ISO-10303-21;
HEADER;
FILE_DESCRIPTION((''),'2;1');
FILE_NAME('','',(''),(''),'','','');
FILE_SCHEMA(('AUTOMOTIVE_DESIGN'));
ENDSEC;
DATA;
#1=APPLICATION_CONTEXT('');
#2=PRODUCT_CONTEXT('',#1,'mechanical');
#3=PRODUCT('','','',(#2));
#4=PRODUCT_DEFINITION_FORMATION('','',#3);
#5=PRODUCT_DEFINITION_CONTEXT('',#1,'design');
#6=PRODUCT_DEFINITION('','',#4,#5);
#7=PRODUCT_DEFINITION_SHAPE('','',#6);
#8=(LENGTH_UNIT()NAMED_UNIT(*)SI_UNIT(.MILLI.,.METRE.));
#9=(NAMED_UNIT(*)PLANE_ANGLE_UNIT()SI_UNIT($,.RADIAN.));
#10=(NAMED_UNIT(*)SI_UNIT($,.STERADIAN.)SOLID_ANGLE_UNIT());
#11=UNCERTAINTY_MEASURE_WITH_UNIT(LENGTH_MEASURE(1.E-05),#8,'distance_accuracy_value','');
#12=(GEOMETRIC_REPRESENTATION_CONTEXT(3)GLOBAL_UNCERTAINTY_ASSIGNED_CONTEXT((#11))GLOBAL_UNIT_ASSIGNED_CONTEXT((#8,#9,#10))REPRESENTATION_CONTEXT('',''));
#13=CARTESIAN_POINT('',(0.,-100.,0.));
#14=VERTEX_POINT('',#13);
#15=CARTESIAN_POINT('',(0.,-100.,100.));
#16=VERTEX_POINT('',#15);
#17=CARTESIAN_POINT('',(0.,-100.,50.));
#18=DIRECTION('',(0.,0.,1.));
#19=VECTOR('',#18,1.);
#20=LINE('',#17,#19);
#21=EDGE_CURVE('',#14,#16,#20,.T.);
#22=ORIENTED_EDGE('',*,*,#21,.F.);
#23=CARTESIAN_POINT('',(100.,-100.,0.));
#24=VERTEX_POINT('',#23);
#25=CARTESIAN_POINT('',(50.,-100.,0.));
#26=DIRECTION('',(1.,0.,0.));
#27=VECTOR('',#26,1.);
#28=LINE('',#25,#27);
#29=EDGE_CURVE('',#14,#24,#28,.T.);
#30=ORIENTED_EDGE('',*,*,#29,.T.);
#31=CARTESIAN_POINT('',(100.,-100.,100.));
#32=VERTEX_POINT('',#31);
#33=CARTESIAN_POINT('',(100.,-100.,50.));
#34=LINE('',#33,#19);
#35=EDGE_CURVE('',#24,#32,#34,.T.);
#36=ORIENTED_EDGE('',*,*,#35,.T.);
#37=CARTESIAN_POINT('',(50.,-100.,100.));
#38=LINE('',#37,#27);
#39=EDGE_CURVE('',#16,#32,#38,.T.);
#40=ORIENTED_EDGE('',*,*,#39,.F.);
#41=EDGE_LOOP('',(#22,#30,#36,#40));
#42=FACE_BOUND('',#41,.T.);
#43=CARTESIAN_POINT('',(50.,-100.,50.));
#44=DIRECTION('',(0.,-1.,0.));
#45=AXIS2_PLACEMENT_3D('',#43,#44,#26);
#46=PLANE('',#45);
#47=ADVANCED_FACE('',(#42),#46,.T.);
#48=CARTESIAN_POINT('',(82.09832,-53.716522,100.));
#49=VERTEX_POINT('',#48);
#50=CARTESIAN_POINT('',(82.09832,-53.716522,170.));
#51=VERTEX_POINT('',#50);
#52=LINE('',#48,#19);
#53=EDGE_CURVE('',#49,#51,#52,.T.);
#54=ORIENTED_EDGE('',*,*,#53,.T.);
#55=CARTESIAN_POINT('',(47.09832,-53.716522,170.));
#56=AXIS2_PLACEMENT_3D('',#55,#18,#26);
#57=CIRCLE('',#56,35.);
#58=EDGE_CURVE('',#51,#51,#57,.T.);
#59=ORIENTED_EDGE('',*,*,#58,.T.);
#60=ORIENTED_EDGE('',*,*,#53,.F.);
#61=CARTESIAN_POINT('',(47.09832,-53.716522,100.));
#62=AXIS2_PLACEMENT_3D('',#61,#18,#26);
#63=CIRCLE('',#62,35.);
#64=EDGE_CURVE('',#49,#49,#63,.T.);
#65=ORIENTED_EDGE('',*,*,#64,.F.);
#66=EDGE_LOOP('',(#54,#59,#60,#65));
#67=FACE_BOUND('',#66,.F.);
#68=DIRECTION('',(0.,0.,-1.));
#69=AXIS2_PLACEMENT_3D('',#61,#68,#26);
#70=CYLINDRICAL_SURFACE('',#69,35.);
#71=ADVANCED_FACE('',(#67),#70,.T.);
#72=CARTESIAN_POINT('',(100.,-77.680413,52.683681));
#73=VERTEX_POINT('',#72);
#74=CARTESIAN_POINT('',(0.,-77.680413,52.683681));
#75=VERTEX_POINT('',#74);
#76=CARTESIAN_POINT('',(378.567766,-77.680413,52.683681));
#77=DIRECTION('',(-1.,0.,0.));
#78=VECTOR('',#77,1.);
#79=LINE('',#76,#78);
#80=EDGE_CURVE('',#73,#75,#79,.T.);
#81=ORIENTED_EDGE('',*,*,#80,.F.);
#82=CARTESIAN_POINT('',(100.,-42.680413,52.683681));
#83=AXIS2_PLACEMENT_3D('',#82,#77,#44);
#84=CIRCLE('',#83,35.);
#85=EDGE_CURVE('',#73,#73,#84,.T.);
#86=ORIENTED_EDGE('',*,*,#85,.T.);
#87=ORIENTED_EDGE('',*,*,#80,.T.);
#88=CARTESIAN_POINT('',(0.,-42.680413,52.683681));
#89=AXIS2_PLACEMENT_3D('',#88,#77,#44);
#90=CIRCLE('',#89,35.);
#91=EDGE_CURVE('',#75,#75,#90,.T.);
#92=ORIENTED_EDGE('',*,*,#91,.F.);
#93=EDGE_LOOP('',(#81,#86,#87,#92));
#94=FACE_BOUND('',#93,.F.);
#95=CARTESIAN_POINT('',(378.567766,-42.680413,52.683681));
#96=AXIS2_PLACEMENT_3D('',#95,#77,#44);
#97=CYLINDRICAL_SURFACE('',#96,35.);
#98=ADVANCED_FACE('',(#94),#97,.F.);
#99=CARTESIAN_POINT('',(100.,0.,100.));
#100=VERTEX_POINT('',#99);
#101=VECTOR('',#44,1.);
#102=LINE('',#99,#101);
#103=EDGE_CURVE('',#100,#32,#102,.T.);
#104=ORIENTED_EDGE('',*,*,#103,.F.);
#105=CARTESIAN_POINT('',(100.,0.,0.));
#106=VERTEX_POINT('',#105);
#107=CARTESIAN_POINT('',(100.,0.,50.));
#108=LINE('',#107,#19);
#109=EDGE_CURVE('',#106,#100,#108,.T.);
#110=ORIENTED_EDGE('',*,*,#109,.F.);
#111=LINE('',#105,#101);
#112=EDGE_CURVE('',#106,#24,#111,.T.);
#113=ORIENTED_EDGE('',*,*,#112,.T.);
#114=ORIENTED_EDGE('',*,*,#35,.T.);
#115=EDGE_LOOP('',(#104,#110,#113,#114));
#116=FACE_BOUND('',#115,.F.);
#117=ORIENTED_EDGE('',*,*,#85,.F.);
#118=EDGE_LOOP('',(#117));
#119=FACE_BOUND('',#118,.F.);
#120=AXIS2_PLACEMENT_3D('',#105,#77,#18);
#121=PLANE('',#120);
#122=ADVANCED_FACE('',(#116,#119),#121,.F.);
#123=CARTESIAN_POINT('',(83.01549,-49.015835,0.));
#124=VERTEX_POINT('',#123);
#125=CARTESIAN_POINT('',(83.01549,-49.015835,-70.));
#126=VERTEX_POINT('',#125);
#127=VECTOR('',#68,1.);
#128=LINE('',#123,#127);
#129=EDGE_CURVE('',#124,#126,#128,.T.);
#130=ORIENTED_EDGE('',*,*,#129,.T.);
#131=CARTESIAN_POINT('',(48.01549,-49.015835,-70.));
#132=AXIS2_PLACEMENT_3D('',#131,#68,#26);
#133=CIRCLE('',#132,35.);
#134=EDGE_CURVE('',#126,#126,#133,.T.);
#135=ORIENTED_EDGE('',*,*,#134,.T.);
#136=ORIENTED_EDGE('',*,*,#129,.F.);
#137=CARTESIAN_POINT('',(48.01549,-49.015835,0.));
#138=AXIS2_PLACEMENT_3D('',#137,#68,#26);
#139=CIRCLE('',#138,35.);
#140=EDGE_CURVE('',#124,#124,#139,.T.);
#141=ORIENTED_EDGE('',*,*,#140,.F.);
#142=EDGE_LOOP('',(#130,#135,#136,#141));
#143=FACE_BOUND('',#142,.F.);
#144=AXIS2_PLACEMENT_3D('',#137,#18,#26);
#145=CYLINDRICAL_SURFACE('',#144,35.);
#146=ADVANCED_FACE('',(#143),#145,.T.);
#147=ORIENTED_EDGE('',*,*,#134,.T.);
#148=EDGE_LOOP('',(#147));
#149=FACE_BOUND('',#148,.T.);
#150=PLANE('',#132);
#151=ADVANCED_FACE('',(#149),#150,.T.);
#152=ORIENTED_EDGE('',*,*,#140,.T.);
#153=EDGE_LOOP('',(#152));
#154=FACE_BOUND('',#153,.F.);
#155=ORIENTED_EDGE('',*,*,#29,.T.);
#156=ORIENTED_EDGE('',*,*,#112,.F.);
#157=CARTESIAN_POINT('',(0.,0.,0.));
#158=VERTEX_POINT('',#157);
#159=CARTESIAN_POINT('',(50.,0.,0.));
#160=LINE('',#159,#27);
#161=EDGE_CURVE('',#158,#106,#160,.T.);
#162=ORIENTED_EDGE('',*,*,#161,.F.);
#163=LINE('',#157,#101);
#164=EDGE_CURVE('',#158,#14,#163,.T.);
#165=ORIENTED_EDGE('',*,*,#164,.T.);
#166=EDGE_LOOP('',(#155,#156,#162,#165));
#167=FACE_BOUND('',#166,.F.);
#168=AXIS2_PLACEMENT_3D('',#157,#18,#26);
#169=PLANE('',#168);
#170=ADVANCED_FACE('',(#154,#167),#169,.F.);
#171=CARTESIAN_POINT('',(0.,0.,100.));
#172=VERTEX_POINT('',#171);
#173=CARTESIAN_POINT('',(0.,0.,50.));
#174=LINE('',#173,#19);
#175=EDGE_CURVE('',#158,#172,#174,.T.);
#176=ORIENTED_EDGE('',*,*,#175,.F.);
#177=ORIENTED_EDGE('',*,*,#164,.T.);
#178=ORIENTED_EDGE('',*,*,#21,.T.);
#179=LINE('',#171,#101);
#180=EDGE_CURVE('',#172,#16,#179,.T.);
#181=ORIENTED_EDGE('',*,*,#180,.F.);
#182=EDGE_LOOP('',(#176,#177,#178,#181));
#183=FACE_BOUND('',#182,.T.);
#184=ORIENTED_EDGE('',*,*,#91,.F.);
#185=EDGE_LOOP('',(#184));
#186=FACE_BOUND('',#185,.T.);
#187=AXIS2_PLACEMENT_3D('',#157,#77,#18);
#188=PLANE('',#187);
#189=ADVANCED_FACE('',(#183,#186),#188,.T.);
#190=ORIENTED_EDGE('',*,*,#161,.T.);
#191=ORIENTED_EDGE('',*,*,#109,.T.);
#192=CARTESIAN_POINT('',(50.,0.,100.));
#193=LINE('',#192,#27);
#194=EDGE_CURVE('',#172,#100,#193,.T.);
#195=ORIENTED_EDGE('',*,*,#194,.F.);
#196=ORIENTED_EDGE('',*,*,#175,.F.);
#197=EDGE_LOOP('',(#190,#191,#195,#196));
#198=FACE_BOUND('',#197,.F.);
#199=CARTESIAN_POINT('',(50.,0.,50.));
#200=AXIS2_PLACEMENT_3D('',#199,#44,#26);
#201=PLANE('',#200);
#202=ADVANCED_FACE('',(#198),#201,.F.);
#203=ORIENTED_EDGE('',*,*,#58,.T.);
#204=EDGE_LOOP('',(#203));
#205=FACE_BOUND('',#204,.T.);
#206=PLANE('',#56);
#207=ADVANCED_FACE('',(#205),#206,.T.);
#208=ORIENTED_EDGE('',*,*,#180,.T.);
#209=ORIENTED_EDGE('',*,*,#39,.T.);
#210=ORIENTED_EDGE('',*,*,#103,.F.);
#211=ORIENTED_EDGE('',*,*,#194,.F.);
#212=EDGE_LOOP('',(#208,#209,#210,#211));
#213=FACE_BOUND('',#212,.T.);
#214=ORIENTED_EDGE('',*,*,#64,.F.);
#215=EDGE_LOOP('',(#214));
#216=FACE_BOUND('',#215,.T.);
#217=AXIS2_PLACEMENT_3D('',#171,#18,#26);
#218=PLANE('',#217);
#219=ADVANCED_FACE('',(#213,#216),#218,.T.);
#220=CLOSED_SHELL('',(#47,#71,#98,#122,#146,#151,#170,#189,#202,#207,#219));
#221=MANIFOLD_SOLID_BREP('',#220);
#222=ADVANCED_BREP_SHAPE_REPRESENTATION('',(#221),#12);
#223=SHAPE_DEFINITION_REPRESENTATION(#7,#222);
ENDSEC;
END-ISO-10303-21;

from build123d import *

# Parameters (mm, degrees)
F0_W     = 100
F0_H     = 100
F1_DEPTH = 100
F2_R     = 35
F3_DEPTH = 70
F4_R     = 35
F5_DEPTH = 70
F7_D     = 70


with BuildPart() as f1:
    # F0 (on Front) → F1 (new body)
    with BuildSketch(Plane.XZ):
        with Locations((50, 50)):
            Rectangle(F0_W, F0_H)
    extrude(amount=F1_DEPTH)

    # F2 (on face) → F3 (join)
    with BuildSketch(Plane(origin=(0, 0, 0), x_dir=(1, 0, 0), z_dir=(0, 0, -1))):
        with Locations((48.01549, 49.015835)):
            Circle(F2_R)
    extrude(amount=F3_DEPTH)

    # F4 (on face) → F5 (join)
    with BuildSketch(Plane.XY.offset(100)):
        with Locations((47.09832, -53.716522)):
            Circle(F4_R)
    extrude(amount=F5_DEPTH)

    # F7 (through all)
    with Locations(Plane.YZ.offset(100)):
        with Locations((-42.680413, 52.683681)):
            Hole(F7_D / 2)


solid = f1.part
